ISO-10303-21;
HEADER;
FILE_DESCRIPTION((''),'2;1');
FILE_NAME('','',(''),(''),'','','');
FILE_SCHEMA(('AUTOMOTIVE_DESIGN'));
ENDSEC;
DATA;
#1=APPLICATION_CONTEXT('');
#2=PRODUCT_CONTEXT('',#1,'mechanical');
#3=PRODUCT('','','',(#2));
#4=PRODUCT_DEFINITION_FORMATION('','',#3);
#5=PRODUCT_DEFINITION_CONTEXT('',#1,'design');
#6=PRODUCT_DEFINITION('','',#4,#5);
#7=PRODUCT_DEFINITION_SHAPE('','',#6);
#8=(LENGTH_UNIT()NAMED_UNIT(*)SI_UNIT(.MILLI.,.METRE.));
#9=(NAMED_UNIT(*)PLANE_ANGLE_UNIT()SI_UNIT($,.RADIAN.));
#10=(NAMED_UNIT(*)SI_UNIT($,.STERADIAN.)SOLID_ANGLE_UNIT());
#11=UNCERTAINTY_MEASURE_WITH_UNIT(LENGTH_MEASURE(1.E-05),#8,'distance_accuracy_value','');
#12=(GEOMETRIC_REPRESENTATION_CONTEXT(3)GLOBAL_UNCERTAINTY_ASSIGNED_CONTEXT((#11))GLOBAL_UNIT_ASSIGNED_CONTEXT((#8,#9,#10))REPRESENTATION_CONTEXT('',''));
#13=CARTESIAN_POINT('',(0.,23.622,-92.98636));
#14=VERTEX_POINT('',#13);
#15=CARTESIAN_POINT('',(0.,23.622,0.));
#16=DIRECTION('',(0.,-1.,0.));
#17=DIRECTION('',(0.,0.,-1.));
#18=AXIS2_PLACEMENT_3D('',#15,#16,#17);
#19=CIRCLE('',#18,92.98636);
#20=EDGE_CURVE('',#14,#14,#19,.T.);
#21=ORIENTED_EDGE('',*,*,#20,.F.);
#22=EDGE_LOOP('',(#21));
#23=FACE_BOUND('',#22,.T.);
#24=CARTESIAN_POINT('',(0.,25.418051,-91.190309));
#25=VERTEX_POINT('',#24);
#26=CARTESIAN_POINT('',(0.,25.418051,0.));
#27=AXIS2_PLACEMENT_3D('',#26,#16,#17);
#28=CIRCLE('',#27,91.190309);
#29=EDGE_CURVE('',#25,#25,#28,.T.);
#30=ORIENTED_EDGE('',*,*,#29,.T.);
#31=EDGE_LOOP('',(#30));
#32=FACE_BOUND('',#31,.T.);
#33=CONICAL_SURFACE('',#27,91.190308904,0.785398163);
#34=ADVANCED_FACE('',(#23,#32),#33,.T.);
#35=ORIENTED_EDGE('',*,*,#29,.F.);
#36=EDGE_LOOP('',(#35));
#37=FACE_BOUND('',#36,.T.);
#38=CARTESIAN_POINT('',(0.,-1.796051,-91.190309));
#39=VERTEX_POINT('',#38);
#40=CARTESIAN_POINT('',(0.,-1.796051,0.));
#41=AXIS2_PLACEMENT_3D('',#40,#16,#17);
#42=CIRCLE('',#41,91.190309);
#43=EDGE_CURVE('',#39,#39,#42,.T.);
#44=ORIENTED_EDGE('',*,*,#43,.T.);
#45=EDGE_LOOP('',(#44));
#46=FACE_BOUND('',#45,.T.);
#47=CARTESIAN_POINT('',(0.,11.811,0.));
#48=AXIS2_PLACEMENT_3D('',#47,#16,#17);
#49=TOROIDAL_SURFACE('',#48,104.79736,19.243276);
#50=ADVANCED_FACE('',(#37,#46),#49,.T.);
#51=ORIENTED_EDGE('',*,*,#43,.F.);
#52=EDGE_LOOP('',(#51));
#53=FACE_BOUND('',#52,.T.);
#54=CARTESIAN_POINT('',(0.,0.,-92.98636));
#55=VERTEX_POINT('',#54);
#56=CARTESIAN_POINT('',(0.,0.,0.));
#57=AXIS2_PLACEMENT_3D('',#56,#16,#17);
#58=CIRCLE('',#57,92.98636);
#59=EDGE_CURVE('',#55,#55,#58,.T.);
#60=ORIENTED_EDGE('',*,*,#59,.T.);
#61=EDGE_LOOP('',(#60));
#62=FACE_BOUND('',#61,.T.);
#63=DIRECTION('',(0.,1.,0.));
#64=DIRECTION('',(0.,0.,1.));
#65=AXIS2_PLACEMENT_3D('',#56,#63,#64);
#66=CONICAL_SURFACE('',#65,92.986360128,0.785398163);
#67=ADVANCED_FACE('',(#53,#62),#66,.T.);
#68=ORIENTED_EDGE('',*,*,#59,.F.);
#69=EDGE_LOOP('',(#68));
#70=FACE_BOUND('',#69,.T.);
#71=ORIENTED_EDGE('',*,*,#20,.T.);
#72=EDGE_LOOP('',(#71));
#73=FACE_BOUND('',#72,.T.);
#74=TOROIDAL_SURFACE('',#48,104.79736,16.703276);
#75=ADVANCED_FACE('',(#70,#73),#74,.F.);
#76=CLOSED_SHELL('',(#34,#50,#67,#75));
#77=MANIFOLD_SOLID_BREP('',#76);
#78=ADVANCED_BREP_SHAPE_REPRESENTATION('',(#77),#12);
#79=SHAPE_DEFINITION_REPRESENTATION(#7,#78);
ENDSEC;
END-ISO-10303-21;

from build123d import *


with BuildPart() as part:
    # Sketch5 → Revolve-Thin1 (revolve)
    with BuildSketch(Plane.XY):
        with BuildLine():
            ThreePointArc((92.986360128, 23.622), (88.094083743, 11.811), (92.986360128, 0))
            Line((92.986360128, 0), (91.190308904, -1.796051224))
            ThreePointArc((91.190308904, -1.796051224), (85.554083743, 11.811), (91.190308904, 25.418051224))
            Line((91.190308904, 25.418051224), (92.986360128, 23.622))
        make_face()
    revolve(axis=Axis((0, 0, 0), (0, 1, 0)))


solid = part.part
